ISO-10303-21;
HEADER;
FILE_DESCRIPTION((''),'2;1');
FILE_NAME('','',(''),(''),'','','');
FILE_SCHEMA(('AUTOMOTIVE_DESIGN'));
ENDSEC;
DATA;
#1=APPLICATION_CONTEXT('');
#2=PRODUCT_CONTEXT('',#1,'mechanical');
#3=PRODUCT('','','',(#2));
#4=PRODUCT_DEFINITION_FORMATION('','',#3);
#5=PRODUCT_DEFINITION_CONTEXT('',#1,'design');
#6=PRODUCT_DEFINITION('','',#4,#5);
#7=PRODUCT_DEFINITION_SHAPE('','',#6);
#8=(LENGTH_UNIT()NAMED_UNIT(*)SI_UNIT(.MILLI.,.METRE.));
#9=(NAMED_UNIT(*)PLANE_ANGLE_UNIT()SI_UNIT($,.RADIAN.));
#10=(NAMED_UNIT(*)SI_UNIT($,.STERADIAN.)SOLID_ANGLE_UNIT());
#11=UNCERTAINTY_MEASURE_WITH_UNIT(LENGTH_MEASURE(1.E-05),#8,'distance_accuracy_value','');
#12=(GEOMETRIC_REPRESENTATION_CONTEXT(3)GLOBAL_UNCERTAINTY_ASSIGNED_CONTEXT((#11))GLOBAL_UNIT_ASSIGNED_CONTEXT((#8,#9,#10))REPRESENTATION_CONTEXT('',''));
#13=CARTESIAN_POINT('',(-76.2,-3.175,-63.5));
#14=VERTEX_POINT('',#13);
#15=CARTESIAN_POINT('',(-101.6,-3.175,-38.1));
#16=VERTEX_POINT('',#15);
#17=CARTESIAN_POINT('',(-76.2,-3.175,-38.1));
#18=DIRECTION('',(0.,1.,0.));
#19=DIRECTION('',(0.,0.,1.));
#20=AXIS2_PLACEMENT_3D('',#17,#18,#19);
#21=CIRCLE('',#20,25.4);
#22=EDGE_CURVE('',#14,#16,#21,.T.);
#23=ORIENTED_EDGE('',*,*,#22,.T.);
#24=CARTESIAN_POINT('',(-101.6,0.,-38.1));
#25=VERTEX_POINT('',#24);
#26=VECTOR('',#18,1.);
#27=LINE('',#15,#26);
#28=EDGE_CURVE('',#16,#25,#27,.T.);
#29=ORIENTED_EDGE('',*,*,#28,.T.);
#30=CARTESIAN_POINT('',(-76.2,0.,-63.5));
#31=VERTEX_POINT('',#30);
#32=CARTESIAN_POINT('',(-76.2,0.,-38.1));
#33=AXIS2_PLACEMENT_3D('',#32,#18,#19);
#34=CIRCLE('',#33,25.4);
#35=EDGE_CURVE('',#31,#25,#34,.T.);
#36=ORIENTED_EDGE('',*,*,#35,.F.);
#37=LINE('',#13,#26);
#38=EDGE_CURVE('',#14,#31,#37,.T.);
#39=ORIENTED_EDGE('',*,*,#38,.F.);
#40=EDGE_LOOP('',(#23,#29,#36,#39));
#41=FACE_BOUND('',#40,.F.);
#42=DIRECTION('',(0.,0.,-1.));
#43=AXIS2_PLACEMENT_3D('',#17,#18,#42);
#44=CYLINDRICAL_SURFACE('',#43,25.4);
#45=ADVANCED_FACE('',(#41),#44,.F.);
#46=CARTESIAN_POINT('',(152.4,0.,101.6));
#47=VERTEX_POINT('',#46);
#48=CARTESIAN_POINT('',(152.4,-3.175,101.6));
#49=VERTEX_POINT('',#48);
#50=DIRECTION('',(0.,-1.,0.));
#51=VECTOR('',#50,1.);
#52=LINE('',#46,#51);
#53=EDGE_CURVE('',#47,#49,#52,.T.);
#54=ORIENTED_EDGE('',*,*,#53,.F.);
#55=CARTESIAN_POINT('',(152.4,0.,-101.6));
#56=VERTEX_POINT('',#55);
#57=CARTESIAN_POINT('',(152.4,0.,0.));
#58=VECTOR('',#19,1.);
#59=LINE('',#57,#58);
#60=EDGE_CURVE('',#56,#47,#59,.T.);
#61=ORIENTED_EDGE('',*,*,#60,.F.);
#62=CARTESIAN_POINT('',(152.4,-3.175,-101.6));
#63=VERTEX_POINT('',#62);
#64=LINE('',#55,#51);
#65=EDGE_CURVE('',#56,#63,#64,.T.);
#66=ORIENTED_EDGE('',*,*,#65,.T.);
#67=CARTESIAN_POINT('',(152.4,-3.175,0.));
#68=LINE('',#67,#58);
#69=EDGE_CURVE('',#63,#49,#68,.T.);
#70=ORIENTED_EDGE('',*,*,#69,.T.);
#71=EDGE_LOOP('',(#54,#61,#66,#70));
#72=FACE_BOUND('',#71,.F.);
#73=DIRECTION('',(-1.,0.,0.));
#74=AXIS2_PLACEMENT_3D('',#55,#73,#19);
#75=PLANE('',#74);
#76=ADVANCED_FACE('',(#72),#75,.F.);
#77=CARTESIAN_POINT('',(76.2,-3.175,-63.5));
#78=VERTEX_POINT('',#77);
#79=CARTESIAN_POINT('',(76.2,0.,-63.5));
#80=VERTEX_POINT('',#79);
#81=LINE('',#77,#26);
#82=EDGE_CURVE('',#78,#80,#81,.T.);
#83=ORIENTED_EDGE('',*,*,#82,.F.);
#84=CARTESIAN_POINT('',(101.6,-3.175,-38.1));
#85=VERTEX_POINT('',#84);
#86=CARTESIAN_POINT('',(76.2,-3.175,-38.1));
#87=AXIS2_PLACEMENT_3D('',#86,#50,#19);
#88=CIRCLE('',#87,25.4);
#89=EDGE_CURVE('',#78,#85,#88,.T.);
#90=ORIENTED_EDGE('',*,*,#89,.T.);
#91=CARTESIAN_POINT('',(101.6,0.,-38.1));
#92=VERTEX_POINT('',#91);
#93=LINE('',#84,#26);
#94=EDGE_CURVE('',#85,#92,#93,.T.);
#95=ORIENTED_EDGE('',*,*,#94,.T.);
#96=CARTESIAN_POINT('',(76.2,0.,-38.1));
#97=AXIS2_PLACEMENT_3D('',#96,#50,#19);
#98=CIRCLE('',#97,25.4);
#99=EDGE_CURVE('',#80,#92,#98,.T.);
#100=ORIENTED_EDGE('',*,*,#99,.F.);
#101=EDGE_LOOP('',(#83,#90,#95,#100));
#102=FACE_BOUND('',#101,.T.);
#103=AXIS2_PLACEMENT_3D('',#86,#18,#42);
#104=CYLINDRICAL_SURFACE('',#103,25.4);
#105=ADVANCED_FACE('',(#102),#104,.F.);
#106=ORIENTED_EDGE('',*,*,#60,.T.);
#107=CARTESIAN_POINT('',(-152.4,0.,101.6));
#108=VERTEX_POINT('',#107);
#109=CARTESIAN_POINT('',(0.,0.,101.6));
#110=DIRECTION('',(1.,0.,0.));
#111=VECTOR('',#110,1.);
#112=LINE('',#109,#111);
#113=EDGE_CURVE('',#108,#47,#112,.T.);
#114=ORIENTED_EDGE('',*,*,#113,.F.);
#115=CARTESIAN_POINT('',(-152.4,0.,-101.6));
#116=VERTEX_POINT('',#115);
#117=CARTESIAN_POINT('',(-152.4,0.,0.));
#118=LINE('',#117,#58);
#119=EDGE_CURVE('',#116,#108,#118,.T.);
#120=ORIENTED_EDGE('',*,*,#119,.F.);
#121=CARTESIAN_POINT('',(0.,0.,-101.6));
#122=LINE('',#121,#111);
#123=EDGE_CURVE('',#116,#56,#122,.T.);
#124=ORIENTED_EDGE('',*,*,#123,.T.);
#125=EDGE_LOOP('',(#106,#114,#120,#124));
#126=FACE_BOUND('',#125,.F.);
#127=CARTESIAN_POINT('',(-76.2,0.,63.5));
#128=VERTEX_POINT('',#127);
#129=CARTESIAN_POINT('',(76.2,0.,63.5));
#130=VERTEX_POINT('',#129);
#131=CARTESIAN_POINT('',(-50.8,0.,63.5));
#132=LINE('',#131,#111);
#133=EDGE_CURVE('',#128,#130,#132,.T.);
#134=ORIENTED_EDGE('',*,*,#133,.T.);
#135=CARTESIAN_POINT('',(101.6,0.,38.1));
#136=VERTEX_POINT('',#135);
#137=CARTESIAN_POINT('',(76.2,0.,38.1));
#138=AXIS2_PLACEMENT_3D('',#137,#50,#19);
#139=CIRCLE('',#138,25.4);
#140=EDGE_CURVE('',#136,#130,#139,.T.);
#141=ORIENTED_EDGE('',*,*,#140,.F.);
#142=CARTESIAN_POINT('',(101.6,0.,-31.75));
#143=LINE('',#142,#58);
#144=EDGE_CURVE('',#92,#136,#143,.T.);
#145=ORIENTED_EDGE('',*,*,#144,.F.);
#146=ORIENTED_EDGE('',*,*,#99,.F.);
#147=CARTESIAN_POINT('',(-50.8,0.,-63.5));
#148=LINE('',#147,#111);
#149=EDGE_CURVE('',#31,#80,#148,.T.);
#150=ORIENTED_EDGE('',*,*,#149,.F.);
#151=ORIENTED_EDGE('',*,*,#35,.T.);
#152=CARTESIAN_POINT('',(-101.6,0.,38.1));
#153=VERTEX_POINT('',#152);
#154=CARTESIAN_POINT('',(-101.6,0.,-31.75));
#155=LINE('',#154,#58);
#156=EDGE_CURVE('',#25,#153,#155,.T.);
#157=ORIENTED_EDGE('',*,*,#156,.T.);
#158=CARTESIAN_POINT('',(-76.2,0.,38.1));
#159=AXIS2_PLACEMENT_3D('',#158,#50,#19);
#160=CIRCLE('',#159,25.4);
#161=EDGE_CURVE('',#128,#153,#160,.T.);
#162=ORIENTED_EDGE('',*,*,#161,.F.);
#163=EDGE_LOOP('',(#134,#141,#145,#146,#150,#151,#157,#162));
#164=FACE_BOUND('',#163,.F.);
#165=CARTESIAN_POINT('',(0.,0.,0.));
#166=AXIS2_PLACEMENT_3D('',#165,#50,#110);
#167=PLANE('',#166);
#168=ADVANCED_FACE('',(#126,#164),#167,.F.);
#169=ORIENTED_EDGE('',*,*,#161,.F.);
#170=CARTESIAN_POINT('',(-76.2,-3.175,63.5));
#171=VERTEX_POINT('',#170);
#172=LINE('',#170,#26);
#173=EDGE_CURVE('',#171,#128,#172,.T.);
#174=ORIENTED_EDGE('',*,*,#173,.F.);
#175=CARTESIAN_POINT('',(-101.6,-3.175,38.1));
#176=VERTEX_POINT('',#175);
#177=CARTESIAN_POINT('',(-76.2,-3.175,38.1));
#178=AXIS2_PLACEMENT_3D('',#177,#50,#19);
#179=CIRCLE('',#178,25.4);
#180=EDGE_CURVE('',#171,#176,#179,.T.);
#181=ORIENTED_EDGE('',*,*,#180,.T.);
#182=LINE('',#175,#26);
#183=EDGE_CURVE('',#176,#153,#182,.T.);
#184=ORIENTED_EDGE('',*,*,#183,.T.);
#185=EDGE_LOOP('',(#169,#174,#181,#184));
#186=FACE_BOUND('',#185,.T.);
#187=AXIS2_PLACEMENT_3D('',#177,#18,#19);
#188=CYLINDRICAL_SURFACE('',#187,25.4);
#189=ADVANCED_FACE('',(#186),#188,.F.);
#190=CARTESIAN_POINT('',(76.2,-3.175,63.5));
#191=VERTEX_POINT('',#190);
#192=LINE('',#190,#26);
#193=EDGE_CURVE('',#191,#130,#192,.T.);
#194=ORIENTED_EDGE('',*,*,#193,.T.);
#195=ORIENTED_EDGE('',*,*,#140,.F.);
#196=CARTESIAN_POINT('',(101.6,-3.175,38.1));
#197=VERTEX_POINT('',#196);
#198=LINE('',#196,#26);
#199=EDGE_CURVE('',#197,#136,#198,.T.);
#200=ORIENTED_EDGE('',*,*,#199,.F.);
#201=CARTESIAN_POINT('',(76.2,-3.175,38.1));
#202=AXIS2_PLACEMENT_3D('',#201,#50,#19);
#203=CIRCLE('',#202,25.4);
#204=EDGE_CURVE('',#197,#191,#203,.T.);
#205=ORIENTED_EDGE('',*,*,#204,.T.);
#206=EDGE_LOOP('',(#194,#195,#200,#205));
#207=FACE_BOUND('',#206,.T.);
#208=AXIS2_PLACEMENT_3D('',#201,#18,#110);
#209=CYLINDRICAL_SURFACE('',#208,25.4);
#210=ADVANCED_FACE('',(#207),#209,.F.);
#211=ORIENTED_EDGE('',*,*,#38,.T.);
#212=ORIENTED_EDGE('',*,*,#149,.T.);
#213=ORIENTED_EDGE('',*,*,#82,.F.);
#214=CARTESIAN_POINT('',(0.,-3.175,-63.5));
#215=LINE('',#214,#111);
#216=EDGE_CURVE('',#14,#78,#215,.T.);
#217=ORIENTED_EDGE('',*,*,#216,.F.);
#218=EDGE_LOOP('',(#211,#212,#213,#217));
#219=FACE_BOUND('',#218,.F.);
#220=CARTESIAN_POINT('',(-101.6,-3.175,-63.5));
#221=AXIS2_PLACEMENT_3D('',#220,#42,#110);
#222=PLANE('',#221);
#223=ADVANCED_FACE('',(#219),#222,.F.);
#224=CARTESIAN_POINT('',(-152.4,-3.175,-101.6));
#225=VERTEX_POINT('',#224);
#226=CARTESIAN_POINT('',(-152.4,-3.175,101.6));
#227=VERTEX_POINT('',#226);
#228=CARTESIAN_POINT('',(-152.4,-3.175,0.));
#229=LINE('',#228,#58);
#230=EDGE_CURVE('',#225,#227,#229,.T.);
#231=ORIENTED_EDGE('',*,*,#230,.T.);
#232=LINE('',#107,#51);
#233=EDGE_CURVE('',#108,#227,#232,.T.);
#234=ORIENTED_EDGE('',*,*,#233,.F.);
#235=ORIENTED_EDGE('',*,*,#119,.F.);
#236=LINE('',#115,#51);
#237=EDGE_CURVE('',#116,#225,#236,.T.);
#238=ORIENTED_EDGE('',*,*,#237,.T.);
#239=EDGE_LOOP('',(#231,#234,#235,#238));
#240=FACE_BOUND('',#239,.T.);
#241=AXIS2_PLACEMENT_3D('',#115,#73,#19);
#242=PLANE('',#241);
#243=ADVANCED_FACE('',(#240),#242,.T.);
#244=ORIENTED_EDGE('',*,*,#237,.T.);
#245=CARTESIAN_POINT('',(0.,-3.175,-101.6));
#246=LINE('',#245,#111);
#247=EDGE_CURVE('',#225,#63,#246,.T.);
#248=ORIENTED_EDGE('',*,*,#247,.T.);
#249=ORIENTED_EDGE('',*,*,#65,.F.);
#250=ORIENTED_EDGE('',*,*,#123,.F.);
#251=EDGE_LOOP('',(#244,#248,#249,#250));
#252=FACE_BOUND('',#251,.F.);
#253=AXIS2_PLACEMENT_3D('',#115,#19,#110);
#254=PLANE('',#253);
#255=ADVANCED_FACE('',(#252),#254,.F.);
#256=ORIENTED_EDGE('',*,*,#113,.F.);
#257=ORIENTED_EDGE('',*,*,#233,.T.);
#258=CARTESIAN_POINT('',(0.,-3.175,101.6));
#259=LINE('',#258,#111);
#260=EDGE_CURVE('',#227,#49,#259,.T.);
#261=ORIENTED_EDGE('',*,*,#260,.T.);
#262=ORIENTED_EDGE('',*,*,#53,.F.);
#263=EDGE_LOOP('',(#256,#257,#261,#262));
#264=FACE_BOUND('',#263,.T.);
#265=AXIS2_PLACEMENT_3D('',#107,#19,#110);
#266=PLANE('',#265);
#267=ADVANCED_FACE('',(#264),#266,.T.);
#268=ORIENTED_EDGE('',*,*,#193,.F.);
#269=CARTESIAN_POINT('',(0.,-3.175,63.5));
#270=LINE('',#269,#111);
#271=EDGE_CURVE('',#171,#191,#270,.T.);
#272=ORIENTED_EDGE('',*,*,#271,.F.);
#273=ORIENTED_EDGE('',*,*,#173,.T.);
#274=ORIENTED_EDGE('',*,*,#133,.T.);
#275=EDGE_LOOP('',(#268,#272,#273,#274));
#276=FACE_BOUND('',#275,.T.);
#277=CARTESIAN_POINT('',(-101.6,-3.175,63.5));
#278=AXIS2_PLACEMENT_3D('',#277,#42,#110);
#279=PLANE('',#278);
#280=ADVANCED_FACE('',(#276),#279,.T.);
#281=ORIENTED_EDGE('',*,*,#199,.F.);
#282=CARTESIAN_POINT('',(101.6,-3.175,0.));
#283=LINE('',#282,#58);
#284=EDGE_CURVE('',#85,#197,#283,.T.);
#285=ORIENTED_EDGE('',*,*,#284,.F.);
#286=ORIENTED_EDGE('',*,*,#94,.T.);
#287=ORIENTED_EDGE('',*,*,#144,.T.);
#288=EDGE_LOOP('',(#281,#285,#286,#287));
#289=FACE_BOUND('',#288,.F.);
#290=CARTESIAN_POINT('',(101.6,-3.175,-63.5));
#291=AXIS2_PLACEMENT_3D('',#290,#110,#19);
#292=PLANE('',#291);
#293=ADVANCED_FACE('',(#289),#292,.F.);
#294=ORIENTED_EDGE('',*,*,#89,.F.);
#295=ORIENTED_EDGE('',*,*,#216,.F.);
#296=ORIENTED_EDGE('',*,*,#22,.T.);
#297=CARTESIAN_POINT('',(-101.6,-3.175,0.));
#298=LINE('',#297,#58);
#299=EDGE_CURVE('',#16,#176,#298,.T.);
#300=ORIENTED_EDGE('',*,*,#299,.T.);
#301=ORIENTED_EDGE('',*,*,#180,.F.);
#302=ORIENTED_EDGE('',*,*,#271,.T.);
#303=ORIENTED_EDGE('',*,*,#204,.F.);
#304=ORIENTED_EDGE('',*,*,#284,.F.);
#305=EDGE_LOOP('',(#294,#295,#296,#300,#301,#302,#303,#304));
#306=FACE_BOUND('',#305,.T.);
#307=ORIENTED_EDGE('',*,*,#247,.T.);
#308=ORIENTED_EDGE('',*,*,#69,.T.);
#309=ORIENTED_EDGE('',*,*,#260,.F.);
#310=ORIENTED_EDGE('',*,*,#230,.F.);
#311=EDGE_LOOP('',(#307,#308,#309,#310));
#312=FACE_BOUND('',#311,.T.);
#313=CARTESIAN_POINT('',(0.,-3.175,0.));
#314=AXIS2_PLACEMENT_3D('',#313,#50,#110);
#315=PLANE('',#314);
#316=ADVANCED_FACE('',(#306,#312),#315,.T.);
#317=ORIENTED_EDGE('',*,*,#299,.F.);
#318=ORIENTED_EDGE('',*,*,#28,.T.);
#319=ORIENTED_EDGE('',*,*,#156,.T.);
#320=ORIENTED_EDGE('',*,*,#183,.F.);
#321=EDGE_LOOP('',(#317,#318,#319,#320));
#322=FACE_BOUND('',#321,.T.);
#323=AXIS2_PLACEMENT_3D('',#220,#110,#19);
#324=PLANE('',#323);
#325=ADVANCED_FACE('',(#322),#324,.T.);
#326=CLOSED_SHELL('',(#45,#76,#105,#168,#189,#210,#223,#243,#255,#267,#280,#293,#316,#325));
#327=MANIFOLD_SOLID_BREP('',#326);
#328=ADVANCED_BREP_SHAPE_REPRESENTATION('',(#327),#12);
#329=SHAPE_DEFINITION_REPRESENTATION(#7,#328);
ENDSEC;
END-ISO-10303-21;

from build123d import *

# Parameters (mm, degrees)
F0_W     = 304.8
F0_H     = 203.2
F1_DEPTH = 3.175
F2_W     = 203.2
F2_H     = 127
F3_DEPTH = 25.4
F4_R     = 25.4


with BuildPart() as f1:
    # F0 (on Front) → F1 (new body)
    with BuildSketch(Plane.XZ):
        Rectangle(F0_W, F0_H)
    extrude(amount=F1_DEPTH)

    # F2 (on face) → F3 (cut)
    with BuildSketch(Plane.XZ.offset(3.175)):
        Rectangle(F2_W, F2_H)
    extrude(amount=-F3_DEPTH, mode=Mode.SUBTRACT)

    # F4
    f4_edges = [f1.edges().sort_by_distance(p)[0] for p in [
        (-101.6, -1.5875, 63.5),
        (-101.6, -1.5875, -63.5),
        (101.6, -1.5875, -63.5),
        (101.6, -1.5875, 63.5),
    ]]
    fillet(f4_edges, radius=F4_R)


solid = f1.part
